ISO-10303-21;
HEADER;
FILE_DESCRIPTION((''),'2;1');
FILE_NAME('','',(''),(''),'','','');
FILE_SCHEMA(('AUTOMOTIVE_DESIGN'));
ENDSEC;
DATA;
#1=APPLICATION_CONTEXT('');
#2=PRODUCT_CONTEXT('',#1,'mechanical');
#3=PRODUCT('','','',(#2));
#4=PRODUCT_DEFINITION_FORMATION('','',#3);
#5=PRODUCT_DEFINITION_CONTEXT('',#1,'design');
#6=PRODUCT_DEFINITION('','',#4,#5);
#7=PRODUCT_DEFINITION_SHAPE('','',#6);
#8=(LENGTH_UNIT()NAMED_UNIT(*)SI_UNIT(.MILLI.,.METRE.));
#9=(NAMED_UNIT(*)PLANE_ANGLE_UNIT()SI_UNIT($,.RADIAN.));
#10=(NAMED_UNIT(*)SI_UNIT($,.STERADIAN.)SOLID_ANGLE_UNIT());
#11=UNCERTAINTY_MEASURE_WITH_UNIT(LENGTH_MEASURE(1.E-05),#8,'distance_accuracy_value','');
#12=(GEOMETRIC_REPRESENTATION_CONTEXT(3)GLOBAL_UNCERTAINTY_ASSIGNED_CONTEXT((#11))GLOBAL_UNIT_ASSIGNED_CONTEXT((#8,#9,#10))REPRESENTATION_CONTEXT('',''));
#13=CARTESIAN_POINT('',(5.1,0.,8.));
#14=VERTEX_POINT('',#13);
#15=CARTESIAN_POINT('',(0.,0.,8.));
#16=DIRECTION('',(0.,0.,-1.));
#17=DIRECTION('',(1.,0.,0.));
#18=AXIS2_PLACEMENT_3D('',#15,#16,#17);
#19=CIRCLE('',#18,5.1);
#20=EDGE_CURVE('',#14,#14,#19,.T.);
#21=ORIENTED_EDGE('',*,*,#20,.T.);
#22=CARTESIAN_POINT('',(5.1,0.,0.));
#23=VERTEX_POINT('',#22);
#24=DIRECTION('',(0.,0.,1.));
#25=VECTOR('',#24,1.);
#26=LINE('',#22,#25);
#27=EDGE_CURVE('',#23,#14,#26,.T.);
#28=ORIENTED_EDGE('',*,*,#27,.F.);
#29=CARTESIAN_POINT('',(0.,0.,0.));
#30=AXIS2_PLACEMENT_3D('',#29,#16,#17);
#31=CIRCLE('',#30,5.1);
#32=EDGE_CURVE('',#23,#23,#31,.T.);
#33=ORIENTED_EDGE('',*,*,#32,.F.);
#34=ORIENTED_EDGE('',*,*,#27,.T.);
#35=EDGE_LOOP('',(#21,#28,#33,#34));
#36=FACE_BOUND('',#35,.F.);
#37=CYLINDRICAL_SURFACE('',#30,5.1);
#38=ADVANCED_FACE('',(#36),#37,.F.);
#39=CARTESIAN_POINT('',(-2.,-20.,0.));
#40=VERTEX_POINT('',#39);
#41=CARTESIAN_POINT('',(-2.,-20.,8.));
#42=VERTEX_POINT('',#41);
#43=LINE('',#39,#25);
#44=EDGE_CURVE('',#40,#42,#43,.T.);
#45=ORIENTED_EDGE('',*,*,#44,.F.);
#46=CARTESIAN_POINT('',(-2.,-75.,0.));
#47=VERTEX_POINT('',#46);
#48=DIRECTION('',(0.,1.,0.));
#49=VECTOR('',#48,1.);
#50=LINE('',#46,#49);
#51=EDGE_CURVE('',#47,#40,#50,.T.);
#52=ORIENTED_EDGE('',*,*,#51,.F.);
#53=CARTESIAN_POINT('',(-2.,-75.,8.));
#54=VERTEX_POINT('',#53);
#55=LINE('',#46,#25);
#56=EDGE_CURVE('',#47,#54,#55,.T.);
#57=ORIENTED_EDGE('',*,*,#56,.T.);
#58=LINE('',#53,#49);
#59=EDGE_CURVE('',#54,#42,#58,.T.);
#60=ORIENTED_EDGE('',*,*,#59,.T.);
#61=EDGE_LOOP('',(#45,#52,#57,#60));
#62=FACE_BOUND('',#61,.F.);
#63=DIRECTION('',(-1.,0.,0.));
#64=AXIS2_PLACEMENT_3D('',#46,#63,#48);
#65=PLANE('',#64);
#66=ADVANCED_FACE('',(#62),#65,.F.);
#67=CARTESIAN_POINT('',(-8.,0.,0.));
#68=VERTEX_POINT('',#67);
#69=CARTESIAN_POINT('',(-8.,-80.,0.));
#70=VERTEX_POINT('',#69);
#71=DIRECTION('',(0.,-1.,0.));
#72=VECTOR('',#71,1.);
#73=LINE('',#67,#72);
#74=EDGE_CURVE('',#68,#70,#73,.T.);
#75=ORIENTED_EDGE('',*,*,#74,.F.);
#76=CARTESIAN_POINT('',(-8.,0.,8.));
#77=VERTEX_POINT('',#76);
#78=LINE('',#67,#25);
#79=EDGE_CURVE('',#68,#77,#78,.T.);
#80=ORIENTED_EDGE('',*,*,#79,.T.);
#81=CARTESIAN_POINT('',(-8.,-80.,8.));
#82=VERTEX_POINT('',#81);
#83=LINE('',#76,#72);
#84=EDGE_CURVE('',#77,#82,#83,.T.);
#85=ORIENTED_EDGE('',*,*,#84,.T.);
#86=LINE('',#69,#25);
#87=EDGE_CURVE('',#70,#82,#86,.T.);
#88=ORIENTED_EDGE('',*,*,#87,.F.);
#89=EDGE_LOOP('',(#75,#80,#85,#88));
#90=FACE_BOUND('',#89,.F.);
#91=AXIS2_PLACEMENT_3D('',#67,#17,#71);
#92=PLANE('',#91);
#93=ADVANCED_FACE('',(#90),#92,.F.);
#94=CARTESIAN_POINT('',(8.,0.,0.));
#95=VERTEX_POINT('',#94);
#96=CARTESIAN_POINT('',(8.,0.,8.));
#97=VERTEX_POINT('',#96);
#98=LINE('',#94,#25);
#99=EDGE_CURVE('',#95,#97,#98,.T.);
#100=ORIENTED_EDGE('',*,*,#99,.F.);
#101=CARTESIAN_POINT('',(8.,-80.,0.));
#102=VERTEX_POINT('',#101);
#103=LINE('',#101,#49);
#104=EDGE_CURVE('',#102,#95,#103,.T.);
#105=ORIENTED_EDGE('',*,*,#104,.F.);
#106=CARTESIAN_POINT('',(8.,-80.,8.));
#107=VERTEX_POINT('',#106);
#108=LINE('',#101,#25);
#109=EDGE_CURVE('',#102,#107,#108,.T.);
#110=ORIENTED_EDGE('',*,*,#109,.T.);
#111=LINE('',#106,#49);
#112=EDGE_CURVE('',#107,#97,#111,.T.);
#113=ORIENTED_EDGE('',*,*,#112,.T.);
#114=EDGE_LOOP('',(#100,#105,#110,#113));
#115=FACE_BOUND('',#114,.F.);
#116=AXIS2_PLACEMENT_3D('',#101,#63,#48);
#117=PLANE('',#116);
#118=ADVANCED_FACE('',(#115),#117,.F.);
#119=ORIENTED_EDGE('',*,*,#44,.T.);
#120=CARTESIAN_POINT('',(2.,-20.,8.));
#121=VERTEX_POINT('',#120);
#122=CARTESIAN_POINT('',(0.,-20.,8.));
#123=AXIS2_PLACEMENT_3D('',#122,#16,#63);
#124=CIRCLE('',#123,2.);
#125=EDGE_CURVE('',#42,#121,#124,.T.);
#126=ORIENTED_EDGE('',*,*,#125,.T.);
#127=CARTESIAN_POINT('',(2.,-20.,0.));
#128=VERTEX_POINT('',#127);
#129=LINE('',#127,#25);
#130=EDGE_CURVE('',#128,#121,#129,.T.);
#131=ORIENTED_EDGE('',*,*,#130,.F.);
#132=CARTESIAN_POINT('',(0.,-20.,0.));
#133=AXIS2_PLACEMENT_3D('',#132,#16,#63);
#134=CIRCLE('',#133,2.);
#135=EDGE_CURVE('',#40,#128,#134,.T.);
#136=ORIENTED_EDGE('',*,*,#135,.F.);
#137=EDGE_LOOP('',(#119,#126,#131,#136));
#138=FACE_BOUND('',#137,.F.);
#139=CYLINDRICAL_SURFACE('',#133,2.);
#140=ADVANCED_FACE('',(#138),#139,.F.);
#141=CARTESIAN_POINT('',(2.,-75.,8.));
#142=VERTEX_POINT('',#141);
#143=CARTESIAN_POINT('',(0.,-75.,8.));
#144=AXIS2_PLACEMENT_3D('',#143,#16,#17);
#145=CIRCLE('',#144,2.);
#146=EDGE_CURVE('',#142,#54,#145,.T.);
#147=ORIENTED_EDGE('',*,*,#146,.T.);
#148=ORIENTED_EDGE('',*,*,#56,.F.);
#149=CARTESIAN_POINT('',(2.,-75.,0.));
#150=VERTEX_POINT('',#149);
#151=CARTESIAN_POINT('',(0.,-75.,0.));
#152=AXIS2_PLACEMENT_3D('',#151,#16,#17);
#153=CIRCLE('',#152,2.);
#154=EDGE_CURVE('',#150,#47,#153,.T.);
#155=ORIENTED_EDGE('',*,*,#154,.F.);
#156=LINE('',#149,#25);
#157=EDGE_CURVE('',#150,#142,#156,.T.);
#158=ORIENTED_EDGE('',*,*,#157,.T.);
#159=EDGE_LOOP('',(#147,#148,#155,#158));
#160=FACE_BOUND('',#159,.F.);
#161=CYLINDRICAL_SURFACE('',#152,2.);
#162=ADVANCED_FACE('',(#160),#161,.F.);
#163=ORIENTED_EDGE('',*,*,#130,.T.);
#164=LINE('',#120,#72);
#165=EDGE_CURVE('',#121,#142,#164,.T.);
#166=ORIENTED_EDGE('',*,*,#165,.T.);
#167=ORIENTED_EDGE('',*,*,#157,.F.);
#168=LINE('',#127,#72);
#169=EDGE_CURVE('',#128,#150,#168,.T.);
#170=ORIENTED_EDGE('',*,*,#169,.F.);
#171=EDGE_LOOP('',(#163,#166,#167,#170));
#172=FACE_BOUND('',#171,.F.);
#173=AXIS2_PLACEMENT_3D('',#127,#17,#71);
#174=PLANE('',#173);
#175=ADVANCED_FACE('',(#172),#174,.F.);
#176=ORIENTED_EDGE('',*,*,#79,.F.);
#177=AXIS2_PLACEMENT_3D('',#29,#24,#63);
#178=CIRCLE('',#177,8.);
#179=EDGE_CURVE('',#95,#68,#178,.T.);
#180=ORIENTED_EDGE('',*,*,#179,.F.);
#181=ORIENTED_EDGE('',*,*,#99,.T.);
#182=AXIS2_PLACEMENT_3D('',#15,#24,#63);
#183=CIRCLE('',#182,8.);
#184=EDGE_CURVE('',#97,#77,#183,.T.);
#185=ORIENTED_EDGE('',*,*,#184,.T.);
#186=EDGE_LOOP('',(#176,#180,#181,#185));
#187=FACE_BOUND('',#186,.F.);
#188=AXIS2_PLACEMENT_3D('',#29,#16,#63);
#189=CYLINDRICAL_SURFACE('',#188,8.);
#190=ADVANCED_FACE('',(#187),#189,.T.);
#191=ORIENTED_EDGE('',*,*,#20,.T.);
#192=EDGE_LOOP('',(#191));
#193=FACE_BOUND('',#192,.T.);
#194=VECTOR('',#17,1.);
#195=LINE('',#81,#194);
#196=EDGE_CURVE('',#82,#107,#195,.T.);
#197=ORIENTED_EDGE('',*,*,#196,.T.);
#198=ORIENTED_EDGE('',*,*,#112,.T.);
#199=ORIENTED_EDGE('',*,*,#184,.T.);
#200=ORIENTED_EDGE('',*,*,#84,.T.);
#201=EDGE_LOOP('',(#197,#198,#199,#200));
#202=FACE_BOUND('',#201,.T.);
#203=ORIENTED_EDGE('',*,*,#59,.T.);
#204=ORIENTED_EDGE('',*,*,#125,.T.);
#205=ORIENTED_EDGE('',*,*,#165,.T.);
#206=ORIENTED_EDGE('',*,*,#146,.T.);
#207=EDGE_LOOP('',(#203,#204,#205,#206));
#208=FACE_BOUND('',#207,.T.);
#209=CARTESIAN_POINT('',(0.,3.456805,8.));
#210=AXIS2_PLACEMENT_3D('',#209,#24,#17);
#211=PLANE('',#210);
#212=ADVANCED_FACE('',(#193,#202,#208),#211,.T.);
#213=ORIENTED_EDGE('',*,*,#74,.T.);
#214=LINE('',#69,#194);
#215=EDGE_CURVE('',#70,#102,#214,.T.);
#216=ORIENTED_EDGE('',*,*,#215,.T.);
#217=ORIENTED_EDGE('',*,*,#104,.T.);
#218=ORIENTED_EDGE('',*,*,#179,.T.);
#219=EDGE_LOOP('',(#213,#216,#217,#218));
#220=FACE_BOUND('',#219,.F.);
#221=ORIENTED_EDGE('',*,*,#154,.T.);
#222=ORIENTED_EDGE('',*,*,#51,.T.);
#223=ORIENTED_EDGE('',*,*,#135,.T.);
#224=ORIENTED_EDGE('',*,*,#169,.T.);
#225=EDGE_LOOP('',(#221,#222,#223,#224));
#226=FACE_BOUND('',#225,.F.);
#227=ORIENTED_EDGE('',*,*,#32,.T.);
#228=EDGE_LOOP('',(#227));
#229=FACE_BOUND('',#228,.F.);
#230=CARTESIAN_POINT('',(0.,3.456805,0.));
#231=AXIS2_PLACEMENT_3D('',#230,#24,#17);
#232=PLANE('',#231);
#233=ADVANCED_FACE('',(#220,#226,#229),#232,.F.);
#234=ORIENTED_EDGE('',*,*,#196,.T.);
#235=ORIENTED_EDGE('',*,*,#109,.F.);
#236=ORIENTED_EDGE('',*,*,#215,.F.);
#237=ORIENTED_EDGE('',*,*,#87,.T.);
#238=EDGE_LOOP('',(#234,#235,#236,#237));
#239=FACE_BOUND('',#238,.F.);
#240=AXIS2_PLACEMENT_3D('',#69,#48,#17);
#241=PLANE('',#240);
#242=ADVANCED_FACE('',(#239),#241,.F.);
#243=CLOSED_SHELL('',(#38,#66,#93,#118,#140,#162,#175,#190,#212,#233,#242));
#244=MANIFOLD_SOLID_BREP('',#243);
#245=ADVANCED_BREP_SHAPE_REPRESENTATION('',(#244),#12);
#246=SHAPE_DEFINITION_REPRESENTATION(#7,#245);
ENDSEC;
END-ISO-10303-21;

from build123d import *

# Parameters (mm, degrees)
F1_DEPTH = 8


with BuildPart() as f1:
    # F0 (on Top) → F1 (new body)
    with BuildSketch(Plane.XY):
        with BuildLine():
            ThreePointArc((-5.1, 0), (0, 5.1), (5.1, 0))
            Line((5.1, 0), (8, 0))
            ThreePointArc((8, 0), (0, 8), (-8, 0))
            Line((-8, 0), (-5.1, 0))
        make_face()
        with BuildLine():
            Line((8, 0), (5.1, 0))
            ThreePointArc((5.1, 0), (0, -5.1), (-5.1, 0))
            Line((-5.1, 0), (-8, 0))
            ThreePointArc((-8, 0), (0, -8), (8, 0))
        make_face()
        with BuildLine():
            Line((8, -80), (8, 0))
            ThreePointArc((8, 0), (0, -8), (-8, 0))
            Line((-8, 0), (-8, -80))
            Line((-8, -80), (8, -80))
        make_face()
        with BuildLine():
            ThreePointArc((-2, -20), (0, -18), (2, -20))
            Line((2, -20), (2, -75))
            ThreePointArc((2, -75), (0, -77), (-2, -75))
            Line((-2, -75), (-2, -20))
        make_face(mode=Mode.SUBTRACT)
    extrude(amount=F1_DEPTH)


solid = f1.part
